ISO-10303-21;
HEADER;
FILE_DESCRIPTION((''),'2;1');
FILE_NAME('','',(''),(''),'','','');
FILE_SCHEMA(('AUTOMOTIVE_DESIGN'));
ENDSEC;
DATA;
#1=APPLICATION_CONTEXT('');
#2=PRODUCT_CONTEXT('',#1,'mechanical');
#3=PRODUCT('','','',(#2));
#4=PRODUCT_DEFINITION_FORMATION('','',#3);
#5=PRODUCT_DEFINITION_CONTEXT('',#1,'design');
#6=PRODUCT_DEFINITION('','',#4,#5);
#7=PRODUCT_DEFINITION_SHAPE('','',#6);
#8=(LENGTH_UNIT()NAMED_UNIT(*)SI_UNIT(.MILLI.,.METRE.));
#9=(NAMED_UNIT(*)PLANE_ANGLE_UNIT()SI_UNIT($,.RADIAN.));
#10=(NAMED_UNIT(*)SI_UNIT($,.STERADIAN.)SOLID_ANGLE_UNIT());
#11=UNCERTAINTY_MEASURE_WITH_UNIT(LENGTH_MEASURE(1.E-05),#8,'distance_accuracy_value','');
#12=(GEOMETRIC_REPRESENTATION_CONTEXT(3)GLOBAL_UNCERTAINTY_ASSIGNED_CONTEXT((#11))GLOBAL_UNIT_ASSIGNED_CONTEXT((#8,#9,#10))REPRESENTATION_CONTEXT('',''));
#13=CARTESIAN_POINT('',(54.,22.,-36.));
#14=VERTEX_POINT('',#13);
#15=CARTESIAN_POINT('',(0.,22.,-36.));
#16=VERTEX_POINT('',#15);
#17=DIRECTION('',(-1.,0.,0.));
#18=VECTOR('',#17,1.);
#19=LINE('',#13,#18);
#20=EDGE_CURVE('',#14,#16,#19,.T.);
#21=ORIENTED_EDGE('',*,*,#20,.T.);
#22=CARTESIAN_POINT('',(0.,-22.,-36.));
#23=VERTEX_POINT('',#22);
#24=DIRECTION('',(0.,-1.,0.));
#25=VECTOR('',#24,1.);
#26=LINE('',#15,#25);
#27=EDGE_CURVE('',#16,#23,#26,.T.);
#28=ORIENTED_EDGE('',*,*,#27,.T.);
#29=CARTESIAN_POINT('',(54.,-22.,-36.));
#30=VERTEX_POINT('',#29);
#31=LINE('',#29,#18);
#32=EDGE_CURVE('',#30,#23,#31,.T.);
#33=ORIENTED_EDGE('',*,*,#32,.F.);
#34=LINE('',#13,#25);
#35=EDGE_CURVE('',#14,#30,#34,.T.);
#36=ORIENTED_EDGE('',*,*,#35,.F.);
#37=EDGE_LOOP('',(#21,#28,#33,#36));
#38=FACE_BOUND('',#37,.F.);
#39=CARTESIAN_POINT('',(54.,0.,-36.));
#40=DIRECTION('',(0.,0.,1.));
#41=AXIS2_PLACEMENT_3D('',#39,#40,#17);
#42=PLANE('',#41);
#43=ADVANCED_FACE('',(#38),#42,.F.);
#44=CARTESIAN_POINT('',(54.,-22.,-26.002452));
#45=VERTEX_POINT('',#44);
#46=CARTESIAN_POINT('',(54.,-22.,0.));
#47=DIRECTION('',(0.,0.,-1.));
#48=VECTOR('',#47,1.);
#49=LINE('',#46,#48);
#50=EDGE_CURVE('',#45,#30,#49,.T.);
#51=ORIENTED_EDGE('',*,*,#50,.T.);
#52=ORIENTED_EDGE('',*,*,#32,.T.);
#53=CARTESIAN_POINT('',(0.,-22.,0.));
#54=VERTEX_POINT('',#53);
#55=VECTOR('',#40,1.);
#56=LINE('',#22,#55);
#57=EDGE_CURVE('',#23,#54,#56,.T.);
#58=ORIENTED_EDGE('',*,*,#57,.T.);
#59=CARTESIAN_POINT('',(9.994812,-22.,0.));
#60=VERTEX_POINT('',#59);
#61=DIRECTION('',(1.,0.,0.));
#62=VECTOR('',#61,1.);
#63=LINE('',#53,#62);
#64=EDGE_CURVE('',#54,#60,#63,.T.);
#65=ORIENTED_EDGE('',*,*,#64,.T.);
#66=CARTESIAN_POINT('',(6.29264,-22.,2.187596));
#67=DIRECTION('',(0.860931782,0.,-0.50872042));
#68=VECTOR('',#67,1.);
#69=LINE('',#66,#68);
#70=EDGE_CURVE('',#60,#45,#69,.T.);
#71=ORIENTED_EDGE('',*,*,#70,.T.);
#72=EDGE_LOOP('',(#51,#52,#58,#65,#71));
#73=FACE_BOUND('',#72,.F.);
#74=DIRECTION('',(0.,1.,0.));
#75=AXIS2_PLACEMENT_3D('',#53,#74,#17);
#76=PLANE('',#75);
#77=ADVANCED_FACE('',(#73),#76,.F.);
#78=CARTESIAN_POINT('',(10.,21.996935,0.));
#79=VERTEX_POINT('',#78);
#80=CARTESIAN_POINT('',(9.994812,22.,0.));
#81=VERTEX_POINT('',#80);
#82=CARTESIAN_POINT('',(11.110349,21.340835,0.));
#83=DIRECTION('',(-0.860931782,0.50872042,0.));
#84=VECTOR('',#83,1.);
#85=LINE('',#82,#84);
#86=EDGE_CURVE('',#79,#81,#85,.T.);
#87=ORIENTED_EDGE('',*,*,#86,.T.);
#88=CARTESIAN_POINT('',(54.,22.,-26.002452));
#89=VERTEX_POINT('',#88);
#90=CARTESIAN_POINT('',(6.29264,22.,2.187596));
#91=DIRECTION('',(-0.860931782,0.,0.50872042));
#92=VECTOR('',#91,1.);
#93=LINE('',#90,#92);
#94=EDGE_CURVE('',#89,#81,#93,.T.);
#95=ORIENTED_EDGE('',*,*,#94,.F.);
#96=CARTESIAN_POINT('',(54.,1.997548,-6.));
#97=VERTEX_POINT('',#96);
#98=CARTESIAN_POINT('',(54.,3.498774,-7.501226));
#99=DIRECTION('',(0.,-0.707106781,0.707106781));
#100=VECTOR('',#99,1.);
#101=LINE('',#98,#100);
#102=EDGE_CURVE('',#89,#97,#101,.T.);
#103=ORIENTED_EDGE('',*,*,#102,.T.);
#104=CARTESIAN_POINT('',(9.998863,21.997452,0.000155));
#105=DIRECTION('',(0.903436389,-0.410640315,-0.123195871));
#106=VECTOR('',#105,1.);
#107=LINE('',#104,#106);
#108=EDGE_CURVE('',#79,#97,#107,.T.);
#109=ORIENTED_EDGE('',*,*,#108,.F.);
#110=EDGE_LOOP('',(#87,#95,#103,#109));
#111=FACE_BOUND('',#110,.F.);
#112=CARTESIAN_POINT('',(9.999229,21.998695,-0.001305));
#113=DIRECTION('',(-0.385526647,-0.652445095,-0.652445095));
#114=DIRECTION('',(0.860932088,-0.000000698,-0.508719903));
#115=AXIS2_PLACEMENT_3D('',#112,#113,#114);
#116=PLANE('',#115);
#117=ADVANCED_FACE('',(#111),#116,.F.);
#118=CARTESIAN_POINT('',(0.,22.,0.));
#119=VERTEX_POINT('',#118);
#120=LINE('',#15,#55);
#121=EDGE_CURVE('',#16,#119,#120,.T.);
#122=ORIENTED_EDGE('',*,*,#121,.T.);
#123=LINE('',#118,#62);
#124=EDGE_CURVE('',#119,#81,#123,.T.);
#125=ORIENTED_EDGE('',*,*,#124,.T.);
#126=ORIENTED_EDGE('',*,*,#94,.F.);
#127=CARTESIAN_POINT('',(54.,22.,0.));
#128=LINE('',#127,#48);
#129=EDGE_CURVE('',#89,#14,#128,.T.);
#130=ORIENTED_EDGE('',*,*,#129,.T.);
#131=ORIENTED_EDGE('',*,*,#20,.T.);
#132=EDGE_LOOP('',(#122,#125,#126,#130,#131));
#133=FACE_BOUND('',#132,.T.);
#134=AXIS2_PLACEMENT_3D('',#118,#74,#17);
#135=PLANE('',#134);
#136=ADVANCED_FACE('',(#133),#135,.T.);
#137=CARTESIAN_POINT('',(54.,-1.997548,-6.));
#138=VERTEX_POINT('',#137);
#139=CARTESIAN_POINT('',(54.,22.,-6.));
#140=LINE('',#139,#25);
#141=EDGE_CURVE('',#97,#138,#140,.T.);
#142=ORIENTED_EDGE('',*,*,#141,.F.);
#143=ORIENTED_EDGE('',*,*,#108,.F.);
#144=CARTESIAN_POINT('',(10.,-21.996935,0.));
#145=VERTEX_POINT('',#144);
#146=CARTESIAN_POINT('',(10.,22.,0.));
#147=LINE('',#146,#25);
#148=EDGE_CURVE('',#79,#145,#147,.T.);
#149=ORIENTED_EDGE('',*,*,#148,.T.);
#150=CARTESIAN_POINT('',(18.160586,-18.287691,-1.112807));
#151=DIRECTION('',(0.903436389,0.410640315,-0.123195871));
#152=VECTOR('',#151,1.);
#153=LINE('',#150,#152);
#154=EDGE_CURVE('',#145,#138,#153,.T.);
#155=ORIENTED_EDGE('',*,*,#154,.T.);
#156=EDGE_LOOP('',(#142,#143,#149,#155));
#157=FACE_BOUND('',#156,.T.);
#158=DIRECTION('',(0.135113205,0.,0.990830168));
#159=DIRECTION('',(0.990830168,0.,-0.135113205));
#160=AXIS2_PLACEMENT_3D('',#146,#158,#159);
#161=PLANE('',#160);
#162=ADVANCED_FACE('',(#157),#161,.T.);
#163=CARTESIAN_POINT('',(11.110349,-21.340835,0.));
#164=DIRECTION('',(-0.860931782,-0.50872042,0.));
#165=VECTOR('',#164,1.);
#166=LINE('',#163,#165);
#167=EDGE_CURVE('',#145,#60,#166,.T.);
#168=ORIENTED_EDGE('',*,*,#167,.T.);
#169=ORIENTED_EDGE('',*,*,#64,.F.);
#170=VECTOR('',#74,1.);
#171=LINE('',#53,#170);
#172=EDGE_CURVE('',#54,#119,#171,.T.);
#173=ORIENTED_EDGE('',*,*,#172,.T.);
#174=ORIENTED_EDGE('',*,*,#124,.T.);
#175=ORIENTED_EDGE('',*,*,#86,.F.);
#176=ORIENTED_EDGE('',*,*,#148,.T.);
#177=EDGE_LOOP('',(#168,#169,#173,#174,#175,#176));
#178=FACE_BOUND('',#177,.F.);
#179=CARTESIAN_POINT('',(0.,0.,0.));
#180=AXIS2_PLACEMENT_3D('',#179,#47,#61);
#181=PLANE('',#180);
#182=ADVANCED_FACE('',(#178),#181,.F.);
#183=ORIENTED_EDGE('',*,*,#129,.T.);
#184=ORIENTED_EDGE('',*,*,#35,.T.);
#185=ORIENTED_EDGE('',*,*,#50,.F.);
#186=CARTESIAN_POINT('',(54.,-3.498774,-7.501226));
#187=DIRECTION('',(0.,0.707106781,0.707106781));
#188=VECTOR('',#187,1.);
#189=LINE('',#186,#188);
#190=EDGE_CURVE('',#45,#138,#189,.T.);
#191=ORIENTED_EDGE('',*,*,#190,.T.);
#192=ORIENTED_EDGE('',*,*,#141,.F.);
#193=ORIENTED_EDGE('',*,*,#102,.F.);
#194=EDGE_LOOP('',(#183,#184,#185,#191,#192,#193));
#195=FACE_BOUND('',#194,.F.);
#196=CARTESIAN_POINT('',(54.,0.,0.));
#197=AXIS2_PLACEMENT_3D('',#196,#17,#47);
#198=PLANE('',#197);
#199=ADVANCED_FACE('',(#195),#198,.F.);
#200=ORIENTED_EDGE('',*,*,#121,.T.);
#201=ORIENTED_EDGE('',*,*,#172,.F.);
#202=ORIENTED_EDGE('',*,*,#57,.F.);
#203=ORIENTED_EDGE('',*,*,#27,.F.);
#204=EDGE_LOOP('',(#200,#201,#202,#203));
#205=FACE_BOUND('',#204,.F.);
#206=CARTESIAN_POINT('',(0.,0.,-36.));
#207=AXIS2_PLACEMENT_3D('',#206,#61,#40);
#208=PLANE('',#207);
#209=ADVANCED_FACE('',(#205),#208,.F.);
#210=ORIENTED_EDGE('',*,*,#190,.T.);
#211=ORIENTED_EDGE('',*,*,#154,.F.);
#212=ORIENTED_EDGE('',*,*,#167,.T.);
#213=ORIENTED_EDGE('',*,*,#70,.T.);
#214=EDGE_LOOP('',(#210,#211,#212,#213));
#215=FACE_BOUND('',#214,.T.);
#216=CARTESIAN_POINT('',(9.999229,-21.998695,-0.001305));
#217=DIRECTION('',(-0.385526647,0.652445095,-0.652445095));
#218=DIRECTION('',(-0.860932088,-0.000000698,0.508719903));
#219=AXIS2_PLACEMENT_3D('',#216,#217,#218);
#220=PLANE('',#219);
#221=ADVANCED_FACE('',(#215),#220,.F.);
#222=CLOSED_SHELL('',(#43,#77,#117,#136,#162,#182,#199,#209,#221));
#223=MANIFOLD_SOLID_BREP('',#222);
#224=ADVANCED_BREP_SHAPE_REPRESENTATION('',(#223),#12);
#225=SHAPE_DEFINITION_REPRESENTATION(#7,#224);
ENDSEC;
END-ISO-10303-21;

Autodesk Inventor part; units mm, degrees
ref_plane "YZ Plane" through (0, 0, 0) normal (1, 0, 0) x (0, 1, 0)
ref_plane "XZ Plane" through (0, 0, 0) normal (0, 1, 0) x (-1, 0, 0)
sketch "草圖1" plane through (0, 0, 0) normal (0, 1, 0) x (-1, 0, 0)
  line L0 (0, 0) -> (-54, 0)
  line L1 (-54, 0) -> (-54, -36)
  line L2 (-54, -36) -> (0, -36)
  line L3 (0, -36) -> (0, 0)
  dimension "d0" = 54
  dimension "d1" = 36
extrude "擠出1" add sketch "草圖1" along normal mid plane 44
sketch "草圖2" plane through (0, 22, 0) normal (0, 1, 0) x (1, 0, 0)
  line L0 (0, 0) -> (54, 0) projected
  line L1 (10, 0) -> (54, 6)
  line L2 (54, 0) -> (54, 36) projected
  dimension "d4" = 10
  dimension "d5" = 30
extrude "擠出2" cut sketch "草圖2" against normal blind 60
sketch "草圖3" plane through (54, -22, -36) normal (1, 0, 0) x (0, 0, -1)
  line L0 (-30, 24) -> (-10, 44)
  line L1 (0, 44) -> (-36, 44) projected
  line L2 (-30, 44) -> (-30, 0) projected
  point P0 (-36, 22)
  point P1 (-30, 2)
  dimension "d8" = 20
  dimension "d9" = 20
ref_plane "工作平面1" through (10, 22, 0) normal (-0.3855, -0.6524, -0.6524) x (0.8609, 0, -0.5087)
sketch "草圖4" plane through (10, 22, 0) normal (-0.3855, -0.6524, -0.6524) x (0.8609, 0, -0.5087)
  line L0 (-15.1543, -12.3218) -> (93.717, -12.3218)
  line L1 (93.717, -12.3218) -> (93.717, 28.8166)
  line L2 (93.717, 28.8166) -> (-15.1543, 28.8166)
  line L3 (-15.1543, 28.8166) -> (-15.1543, -12.3218)
  point P0 (-8.6093, 13.3533)
extrude "擠出3" cut sketch "草圖4" against normal blind 40
mirror "鏡射1" about plane through (0, 0, 0) normal (0, 1, 0) of "擠出3"
properties part number "46"
